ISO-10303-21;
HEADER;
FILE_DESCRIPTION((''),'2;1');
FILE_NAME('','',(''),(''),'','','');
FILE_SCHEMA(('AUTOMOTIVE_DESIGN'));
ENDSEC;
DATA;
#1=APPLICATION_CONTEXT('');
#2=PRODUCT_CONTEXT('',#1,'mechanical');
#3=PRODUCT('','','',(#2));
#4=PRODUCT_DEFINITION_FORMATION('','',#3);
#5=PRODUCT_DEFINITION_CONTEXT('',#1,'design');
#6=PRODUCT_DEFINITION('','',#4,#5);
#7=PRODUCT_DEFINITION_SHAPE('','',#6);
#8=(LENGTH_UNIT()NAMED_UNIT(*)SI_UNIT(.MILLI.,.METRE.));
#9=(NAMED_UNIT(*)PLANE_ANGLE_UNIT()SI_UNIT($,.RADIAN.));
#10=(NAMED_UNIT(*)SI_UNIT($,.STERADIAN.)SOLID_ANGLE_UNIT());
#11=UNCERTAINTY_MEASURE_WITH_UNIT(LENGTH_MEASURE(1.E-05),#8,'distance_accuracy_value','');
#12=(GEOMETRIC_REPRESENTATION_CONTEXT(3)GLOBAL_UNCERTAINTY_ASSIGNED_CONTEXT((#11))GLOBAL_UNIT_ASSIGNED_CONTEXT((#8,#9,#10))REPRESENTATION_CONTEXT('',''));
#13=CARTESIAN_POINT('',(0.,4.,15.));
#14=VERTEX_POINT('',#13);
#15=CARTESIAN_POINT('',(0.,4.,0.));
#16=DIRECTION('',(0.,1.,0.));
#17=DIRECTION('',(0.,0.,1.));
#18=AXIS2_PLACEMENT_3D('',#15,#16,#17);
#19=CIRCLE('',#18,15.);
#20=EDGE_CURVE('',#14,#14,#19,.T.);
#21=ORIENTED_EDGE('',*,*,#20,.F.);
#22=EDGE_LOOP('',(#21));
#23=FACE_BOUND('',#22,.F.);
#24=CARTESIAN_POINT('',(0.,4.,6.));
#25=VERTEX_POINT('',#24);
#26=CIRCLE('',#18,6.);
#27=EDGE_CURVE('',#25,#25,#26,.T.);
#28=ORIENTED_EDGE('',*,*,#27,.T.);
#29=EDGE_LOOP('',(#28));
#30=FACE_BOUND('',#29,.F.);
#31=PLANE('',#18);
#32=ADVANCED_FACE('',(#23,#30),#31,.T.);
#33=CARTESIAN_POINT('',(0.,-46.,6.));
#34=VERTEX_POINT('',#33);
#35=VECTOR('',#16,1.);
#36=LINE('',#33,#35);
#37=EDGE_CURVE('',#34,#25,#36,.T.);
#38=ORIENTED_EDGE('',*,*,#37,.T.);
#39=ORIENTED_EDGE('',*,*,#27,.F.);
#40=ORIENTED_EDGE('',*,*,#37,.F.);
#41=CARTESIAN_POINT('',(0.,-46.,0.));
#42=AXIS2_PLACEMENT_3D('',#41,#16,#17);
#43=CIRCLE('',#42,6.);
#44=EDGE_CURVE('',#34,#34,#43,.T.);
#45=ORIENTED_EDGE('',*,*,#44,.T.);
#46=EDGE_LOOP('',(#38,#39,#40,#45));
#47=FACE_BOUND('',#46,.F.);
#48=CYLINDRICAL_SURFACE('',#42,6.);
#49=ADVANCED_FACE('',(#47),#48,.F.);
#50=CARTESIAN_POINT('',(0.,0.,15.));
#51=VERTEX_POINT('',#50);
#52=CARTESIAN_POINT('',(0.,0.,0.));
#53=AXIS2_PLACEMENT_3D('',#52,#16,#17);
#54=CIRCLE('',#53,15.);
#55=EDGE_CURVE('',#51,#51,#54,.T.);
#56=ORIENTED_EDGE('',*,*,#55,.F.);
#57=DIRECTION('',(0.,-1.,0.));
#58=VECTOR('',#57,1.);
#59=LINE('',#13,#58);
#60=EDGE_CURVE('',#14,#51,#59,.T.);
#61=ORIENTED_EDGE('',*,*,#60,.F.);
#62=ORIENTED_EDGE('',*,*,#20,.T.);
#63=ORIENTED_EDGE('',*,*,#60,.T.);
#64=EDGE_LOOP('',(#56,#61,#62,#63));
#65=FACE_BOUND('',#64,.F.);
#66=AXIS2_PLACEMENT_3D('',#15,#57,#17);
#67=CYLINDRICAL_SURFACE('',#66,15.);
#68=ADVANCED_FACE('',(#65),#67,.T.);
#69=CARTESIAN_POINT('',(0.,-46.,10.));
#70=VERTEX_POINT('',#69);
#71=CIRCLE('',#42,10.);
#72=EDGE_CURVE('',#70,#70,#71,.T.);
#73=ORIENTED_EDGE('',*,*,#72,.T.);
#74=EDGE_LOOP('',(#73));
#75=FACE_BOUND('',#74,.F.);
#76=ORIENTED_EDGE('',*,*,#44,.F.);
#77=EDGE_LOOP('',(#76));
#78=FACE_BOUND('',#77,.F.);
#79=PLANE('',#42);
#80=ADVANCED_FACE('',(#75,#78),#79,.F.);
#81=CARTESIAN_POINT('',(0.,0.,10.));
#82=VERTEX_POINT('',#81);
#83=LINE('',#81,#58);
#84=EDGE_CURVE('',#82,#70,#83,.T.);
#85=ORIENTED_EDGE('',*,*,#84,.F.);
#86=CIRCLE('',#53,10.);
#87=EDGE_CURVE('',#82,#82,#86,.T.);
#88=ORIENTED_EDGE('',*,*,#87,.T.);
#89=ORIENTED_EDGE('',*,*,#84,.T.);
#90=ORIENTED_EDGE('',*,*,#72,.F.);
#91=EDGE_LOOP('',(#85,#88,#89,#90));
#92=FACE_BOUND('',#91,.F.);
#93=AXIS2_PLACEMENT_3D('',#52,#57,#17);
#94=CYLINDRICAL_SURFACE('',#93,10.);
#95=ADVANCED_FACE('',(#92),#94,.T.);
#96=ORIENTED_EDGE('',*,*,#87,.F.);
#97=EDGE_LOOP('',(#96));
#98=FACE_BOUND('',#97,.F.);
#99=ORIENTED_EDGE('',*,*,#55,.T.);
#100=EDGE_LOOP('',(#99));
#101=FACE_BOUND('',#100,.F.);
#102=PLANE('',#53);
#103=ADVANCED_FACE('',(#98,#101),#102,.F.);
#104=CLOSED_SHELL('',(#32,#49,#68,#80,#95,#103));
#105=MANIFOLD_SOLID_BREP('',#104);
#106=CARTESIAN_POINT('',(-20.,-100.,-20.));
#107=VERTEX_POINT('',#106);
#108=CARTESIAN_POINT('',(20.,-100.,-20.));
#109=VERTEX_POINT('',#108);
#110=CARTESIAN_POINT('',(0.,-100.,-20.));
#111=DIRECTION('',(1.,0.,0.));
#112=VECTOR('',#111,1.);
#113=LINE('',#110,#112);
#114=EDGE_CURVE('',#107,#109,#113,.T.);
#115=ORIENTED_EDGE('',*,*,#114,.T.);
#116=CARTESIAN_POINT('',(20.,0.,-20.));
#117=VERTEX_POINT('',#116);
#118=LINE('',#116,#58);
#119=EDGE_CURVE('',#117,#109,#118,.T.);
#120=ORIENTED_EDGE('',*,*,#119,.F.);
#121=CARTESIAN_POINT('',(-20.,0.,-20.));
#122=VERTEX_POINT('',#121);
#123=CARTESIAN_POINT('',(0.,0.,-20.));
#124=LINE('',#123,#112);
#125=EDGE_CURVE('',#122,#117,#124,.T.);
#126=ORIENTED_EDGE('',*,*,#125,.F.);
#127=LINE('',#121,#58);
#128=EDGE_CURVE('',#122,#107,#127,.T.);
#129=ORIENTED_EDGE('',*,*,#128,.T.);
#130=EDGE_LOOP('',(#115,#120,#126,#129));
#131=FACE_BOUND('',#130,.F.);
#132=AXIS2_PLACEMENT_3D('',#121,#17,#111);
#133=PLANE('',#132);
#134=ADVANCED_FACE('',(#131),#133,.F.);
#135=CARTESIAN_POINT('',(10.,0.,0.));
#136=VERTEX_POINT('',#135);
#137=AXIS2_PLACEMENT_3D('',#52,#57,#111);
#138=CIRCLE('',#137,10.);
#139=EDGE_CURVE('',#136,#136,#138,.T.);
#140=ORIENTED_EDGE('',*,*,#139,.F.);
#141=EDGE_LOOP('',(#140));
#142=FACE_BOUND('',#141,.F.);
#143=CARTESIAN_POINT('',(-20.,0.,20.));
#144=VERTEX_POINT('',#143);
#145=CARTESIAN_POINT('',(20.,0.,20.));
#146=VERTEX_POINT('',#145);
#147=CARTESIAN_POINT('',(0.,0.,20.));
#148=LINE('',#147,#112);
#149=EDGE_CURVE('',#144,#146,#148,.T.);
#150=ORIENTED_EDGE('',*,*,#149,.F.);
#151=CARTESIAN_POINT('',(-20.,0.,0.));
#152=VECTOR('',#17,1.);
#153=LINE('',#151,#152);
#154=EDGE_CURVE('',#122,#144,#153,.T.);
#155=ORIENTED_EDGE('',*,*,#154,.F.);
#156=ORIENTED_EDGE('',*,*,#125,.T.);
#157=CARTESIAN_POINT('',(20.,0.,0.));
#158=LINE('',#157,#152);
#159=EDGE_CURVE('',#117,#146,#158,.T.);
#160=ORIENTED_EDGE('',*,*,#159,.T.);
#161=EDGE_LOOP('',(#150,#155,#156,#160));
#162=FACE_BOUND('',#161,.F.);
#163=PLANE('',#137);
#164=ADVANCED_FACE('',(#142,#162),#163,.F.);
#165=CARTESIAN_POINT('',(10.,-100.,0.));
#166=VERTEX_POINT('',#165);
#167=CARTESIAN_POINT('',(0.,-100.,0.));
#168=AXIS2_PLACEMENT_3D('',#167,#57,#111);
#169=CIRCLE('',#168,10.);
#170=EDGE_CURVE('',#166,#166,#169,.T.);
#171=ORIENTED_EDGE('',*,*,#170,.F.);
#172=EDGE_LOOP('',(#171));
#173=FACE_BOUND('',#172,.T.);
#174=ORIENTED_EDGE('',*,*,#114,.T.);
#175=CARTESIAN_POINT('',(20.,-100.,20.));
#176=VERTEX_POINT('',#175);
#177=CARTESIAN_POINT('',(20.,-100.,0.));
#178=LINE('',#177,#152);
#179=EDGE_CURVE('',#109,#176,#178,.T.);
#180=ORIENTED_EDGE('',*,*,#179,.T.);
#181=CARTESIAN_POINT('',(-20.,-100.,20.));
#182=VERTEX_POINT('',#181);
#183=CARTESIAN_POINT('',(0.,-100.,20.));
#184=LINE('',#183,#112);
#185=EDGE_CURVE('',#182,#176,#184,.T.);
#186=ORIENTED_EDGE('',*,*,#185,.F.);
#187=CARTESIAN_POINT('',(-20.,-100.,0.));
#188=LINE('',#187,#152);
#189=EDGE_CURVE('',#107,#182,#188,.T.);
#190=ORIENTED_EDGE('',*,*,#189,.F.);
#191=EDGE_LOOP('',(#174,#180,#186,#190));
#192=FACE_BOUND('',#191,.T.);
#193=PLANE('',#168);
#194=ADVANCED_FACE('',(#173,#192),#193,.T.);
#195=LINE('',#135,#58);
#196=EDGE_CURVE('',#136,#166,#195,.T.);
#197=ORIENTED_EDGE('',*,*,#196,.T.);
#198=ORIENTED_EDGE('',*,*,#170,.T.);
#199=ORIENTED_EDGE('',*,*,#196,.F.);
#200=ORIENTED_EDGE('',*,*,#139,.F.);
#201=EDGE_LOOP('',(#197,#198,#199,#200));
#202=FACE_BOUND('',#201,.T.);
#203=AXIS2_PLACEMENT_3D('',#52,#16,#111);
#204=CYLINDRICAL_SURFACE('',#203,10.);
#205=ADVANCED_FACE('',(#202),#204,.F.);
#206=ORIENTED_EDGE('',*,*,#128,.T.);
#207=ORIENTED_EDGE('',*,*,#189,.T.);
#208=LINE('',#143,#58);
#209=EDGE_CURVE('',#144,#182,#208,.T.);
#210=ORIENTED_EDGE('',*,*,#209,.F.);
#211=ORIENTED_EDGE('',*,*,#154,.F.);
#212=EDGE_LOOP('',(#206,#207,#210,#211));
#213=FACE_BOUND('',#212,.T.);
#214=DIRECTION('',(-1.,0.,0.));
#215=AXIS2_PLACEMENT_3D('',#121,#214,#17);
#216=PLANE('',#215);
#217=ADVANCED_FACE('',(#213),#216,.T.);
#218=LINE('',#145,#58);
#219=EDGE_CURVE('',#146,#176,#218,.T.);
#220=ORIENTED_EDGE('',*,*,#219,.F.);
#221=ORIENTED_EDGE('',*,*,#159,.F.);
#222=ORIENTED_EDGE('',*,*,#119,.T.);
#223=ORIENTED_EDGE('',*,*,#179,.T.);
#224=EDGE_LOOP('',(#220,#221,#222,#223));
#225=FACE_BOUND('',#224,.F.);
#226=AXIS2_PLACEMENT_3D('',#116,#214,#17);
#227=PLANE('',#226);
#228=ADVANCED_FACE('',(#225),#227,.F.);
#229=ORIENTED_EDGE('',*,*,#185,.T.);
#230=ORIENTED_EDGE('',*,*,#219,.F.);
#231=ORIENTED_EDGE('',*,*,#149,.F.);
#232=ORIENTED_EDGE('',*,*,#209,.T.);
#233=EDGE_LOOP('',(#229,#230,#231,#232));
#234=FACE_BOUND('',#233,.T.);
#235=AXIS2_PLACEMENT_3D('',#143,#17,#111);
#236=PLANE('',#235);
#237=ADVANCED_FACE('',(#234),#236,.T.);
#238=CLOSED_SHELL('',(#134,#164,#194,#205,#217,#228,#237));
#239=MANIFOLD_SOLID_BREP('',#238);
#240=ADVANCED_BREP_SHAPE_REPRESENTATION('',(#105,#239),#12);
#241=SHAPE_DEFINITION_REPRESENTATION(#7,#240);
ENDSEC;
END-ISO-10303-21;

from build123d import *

# Parameters (mm, degrees)
F0_W     = 40
F0_H     = 40
F0_R     = 10
F1_DEPTH = 100


with BuildPart() as f1:
    # F0 (on Front) → F1 (new body)
    with BuildSketch(Plane.XZ):
        Rectangle(F0_W, F0_H)
        Circle(F0_R, mode=Mode.SUBTRACT)
    extrude(amount=F1_DEPTH)


with BuildPart() as f3:
    # F2 (on Right) → F3 (revolve)
    with BuildSketch(Plane.YZ):
        Polygon((0, 10), (-46, 10), (-46, 6), (4, 6), (4, 15), (0, 15), align=None)
    revolve(axis=Axis((0, -23, 0), (0, 1, 0)))


solid = Compound([f1.part, f3.part])
